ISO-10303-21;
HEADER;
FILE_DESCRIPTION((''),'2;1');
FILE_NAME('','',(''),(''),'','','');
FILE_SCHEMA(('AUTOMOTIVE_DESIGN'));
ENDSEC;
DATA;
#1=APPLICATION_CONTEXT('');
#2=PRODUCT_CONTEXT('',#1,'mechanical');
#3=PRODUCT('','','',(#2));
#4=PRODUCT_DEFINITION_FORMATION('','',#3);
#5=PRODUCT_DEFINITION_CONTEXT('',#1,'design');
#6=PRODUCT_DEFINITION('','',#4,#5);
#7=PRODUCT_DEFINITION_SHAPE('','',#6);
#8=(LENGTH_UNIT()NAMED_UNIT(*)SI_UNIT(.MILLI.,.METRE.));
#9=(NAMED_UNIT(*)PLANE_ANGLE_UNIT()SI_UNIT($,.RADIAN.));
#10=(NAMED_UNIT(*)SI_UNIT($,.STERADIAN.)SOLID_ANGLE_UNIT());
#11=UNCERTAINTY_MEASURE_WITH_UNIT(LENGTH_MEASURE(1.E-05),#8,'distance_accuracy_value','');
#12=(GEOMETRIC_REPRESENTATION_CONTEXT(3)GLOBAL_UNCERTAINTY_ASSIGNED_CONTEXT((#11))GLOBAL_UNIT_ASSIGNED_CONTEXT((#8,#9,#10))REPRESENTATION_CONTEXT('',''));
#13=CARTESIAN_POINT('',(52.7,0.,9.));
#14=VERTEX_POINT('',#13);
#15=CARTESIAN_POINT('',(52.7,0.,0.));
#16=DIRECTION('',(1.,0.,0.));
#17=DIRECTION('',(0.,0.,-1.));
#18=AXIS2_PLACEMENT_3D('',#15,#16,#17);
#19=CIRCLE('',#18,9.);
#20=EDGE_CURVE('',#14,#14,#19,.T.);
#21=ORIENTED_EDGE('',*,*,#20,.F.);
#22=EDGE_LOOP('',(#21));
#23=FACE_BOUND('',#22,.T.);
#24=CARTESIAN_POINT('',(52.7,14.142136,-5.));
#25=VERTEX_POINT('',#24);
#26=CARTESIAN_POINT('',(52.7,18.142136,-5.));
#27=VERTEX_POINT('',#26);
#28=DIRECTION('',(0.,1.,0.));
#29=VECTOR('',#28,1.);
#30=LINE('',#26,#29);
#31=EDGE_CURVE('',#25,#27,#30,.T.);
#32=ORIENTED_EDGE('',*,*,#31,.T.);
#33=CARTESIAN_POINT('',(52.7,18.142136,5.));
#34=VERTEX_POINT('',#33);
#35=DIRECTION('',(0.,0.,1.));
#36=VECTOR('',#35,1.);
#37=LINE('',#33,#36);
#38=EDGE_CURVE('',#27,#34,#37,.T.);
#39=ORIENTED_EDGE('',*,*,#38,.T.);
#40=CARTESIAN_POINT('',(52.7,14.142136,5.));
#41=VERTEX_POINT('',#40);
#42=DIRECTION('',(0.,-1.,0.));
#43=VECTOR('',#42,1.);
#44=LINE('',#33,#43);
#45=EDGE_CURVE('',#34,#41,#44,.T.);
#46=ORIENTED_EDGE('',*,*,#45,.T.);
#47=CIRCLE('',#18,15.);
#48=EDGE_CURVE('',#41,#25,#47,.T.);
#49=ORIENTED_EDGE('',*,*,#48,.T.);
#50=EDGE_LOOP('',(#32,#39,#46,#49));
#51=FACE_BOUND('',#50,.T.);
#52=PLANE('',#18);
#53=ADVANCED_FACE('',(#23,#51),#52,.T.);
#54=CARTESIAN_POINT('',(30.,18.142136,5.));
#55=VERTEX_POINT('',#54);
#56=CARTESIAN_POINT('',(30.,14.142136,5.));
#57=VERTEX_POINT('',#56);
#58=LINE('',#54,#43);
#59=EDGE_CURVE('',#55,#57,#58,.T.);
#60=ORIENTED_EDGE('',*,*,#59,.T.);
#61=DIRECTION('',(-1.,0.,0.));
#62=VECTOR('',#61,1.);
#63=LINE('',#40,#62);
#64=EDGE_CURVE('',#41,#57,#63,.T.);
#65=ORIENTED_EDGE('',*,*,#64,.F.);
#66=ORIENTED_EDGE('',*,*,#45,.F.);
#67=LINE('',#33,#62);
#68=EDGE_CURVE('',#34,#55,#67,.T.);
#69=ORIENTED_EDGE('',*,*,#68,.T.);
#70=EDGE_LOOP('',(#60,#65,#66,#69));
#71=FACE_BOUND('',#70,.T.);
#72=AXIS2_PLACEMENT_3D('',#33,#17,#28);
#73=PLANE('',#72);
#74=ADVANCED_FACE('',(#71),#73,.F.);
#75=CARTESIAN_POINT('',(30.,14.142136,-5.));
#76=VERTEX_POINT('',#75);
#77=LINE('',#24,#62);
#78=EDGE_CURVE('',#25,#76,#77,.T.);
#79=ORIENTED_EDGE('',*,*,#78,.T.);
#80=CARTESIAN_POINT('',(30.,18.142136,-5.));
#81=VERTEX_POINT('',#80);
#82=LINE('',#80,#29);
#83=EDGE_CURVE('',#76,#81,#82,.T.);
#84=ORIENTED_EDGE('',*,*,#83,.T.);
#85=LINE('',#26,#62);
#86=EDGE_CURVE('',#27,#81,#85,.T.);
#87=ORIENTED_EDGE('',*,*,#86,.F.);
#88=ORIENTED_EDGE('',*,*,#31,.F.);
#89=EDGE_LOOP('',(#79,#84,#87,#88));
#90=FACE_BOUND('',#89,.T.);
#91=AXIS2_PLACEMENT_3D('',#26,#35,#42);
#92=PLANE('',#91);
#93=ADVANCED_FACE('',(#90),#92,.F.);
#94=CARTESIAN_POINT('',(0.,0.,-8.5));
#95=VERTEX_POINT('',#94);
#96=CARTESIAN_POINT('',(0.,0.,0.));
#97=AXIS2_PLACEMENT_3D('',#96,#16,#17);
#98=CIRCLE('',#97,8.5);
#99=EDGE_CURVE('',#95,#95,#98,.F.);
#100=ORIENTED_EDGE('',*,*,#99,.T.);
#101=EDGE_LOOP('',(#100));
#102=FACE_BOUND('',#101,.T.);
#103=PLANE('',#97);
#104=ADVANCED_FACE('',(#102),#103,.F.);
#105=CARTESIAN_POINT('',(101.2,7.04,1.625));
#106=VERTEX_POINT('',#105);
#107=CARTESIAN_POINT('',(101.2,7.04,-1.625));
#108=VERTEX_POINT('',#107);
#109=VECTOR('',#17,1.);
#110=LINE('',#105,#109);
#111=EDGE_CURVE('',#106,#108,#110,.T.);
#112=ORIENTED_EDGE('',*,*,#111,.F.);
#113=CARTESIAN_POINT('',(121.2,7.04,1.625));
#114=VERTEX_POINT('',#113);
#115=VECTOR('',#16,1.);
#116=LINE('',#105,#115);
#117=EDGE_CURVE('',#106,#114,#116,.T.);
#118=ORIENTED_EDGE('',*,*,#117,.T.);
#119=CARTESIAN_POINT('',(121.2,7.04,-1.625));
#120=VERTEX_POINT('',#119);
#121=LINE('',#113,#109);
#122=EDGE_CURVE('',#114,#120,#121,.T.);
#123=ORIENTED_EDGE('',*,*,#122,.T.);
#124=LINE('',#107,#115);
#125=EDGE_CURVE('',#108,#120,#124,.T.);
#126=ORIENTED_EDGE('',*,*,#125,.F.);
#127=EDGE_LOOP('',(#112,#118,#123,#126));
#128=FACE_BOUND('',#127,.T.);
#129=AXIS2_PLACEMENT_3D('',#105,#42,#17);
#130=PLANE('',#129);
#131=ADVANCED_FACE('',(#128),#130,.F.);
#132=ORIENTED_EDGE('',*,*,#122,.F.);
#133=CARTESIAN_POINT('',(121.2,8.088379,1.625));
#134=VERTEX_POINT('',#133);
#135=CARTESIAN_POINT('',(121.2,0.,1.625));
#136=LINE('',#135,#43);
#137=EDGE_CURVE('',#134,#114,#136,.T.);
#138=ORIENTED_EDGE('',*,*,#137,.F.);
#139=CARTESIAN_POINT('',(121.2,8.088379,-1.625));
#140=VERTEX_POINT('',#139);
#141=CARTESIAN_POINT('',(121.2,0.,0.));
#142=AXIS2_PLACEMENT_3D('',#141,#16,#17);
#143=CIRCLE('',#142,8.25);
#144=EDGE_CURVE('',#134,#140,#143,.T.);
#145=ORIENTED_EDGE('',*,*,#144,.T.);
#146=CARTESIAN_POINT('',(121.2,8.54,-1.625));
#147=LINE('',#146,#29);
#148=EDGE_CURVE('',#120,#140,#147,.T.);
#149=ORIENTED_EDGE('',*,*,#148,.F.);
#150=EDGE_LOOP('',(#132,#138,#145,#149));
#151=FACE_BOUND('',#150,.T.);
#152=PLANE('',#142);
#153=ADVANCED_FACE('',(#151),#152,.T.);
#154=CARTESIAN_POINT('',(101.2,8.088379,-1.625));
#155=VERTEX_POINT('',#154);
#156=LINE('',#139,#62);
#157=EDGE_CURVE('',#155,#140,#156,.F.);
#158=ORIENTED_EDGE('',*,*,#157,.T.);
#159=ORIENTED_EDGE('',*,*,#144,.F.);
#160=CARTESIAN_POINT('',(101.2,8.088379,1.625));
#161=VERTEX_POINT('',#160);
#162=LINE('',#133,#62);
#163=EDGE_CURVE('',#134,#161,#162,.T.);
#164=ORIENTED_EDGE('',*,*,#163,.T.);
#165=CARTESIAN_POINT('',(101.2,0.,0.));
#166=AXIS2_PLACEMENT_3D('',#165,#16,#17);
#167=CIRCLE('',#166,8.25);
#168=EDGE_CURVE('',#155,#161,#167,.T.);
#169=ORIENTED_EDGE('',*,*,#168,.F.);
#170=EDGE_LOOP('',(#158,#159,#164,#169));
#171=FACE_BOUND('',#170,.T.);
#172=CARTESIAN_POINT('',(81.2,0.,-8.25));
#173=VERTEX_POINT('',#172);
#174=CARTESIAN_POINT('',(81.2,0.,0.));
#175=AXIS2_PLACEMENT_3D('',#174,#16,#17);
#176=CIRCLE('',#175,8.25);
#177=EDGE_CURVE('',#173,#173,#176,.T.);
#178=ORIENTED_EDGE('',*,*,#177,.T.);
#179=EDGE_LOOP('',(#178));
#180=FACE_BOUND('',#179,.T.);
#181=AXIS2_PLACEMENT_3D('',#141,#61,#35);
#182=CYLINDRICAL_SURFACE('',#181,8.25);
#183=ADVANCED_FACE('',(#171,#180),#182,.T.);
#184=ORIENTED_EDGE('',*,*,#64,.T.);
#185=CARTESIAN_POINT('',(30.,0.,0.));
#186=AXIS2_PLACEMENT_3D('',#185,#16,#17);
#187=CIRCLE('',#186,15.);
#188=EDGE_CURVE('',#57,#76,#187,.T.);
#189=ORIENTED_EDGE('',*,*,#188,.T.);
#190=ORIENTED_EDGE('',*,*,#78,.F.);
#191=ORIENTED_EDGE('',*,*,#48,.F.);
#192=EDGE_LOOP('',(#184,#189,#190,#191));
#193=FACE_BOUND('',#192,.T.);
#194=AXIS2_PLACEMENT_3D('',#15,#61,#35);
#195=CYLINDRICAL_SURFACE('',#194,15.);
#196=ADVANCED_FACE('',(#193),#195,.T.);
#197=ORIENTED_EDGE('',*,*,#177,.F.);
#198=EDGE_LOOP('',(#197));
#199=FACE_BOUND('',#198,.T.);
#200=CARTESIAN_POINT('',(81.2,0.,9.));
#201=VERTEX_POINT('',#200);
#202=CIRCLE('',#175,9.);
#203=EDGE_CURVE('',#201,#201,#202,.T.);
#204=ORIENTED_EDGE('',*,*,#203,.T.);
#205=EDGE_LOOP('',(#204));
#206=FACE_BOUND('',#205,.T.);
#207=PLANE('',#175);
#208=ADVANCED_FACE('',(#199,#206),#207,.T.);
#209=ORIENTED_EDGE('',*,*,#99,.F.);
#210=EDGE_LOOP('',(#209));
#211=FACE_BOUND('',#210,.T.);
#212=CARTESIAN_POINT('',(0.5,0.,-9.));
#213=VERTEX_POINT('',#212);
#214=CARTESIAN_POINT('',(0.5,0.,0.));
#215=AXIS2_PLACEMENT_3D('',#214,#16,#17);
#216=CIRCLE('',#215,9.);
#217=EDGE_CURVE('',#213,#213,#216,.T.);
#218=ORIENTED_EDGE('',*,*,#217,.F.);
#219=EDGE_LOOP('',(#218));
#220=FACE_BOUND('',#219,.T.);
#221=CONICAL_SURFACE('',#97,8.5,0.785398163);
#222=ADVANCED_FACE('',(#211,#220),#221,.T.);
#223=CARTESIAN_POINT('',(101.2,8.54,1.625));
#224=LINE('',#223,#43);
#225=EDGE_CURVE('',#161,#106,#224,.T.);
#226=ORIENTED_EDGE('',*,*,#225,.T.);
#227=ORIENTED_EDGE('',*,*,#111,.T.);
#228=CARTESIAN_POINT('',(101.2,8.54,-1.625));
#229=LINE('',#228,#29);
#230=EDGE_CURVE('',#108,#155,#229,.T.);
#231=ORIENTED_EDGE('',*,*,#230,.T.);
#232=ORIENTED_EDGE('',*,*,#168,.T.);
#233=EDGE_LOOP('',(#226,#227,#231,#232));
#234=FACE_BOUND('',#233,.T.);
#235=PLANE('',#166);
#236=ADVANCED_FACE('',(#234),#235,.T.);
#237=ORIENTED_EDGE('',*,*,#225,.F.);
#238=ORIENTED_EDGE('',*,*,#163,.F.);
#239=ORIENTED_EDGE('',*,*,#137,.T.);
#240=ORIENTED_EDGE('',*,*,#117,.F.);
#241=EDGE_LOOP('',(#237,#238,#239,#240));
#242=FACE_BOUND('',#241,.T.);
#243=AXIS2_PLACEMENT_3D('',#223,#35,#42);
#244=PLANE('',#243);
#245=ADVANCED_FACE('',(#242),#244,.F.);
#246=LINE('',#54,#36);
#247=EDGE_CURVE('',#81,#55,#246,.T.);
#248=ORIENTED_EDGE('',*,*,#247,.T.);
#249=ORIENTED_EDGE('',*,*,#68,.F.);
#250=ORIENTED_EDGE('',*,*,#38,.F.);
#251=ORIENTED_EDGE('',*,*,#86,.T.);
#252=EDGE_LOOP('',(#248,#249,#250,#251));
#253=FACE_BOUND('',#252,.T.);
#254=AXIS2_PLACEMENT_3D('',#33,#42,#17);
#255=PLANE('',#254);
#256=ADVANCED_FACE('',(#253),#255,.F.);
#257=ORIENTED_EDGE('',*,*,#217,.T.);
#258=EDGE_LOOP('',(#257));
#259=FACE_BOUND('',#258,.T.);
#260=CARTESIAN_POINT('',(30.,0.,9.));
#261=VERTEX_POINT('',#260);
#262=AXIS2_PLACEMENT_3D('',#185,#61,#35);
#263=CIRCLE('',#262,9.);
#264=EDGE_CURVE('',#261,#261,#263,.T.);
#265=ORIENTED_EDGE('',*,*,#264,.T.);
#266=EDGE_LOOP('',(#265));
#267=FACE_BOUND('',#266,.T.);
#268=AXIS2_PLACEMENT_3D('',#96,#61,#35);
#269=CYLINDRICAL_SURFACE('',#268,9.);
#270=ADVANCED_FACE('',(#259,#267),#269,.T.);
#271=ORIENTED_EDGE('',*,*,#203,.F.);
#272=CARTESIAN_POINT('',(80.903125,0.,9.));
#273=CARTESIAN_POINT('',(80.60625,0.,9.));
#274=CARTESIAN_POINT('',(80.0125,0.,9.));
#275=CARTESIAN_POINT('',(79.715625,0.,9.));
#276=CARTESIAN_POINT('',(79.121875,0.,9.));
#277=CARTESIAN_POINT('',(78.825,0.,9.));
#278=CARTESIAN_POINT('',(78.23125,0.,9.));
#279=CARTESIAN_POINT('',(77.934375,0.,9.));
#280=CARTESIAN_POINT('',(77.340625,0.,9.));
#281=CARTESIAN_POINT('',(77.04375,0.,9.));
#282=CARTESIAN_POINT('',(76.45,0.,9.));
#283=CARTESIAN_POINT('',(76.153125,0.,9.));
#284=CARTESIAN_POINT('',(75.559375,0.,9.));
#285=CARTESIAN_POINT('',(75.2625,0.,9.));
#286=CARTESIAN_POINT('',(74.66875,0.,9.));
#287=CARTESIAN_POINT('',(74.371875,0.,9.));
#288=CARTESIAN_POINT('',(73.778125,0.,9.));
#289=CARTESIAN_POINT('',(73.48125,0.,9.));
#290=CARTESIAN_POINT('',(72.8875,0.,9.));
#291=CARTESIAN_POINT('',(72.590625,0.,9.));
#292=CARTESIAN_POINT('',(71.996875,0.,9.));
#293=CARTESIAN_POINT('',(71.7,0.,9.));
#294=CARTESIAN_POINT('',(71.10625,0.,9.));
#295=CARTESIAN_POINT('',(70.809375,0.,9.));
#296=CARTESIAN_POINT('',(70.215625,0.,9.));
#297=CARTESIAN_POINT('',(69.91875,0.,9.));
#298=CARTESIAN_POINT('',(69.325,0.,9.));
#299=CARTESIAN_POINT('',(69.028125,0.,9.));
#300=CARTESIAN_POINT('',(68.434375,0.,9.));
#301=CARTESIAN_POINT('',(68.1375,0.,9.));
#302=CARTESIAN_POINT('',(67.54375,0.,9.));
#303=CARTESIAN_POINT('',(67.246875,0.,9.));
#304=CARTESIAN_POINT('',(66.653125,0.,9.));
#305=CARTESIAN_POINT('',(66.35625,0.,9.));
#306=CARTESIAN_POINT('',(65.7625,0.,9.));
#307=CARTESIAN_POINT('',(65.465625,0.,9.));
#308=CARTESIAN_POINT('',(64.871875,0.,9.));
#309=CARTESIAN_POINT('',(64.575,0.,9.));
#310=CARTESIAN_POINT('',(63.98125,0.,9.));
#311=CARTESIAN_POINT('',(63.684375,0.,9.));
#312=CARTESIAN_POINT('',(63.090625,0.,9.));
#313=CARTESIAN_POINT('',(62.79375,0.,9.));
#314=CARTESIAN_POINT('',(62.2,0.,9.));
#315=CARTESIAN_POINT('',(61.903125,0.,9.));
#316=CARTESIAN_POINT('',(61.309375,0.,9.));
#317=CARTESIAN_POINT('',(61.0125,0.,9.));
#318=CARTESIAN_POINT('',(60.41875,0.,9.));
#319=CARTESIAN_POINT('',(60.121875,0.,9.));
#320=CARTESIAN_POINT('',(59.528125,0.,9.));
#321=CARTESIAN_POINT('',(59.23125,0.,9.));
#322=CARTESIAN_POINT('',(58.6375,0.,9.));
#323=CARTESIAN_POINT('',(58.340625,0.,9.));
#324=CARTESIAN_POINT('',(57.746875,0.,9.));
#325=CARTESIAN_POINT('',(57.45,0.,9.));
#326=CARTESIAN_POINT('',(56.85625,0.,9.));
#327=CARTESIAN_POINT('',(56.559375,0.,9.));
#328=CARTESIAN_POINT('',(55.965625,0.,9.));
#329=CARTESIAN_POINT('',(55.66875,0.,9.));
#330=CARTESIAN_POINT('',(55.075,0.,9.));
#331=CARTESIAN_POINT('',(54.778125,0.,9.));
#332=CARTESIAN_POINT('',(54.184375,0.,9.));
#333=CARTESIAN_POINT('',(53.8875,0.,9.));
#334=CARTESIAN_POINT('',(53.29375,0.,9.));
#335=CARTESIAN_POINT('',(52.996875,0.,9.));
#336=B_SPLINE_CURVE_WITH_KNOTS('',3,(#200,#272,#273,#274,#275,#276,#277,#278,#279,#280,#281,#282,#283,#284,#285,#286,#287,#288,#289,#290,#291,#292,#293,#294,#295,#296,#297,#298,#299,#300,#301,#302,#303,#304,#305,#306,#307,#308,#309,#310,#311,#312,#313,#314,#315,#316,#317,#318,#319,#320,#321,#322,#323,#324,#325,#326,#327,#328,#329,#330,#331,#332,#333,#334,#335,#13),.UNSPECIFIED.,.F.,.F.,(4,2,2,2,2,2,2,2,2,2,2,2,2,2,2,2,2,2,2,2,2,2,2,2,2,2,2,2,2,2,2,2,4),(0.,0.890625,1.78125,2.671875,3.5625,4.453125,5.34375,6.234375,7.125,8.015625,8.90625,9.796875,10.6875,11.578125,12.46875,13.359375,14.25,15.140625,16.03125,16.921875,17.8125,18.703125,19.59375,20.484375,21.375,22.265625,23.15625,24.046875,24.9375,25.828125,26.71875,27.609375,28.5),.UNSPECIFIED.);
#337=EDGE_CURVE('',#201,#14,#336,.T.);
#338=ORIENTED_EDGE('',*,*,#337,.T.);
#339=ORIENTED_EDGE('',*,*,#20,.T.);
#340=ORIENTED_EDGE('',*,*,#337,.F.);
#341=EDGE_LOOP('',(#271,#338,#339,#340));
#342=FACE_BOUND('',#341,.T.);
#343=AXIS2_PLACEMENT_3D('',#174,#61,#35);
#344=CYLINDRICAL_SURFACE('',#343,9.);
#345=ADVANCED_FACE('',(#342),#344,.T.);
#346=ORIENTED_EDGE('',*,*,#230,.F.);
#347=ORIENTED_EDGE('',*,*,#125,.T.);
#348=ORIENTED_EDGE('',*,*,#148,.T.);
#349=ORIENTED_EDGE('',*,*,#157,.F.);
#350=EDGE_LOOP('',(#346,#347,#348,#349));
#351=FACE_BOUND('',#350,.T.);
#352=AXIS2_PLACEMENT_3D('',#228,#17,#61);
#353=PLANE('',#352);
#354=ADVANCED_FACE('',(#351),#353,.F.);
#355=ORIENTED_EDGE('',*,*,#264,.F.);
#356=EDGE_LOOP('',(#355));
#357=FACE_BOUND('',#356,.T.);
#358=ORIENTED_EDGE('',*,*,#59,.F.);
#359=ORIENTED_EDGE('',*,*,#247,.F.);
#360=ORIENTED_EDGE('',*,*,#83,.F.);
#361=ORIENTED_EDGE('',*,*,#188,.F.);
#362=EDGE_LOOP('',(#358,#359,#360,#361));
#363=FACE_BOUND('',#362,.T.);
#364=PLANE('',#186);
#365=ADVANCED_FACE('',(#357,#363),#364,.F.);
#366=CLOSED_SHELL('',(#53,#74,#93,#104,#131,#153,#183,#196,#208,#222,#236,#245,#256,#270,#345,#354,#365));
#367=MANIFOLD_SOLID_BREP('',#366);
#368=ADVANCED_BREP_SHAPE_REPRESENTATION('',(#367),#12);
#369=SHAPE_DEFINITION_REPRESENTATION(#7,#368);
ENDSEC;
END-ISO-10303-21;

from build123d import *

# Parameters (mm, degrees)
SKETCH1_W           = 30
SKETCH1_H           = 9
BOSS_EXTRUDE1_DEPTH = 22.7
SKETCH3_R           = 9
BOSS_EXTRUDE2_DEPTH = 28.5
SKETCH4_R           = 8.25
BOSS_EXTRUDE3_DEPTH = 40
SKETCH5_W           = 3.25
SKETCH5_H           = 1.5
CUT_EXTRUDE1_DEPTH  = 20
CHAMFER1_SIZE       = 0.5


with BuildPart() as part:
    # Sketch1 → Revolve1 (revolve)
    with BuildSketch(Plane.XY, mode=Mode.PRIVATE) as revolve1_sk:
        with Locations((15, 4.5)):
            Rectangle(SKETCH1_W, SKETCH1_H)
    revolve(revolve1_sk.sketch.rotate(Axis((0, 0, 0), (1, 0, 0)), 90), axis=Axis((0, 0, 0), (1, 0, 0)))

    # Sketch2 → Boss-Extrude1 (add)
    with BuildSketch(Plane(origin=(30, 0, 0), x_dir=(0, 0, -1), z_dir=(1, 0, 0))):
        with BuildLine():
            Line((-5, 18.142135624), (5, 18.142135624))
            Line((5, 18.142135624), (5, 14.142135624))
            ThreePointArc((5, 14.142135624), (0, -15), (-5, 14.142135624))
            Line((-5, 14.142135624), (-5, 18.142135624))
        make_face()
    extrude(amount=BOSS_EXTRUDE1_DEPTH)

    # Sketch3 → Boss-Extrude2 (add)
    with BuildSketch(Plane(origin=(52.7, 0, 0), x_dir=(0, 0, -1), z_dir=(1, 0, 0))):
        with Locations(Location((0, 0, 0), (0, 0, 180))):
            Circle(SKETCH3_R)
    extrude(amount=BOSS_EXTRUDE2_DEPTH)

    # Sketch4 → Boss-Extrude3 (add)
    with BuildSketch(Plane(origin=(81.2, 0, 0), x_dir=(0, 0, -1), z_dir=(1, 0, 0))):
        Circle(SKETCH4_R)
    extrude(amount=BOSS_EXTRUDE3_DEPTH)

    # Sketch5 → Cut-Extrude1 (cut)
    with BuildSketch(Plane(origin=(121.2, 0, 0), x_dir=(0, 0, -1), z_dir=(1, 0, 0))):
        with Locations((0, 7.79)):
            Rectangle(SKETCH5_W, SKETCH5_H)
    extrude(amount=-CUT_EXTRUDE1_DEPTH, mode=Mode.SUBTRACT)

    # Chamfer1
    chamfer1_edges = [part.edges().sort_by_distance(p)[0] for p in [
        (0, 0, -9),
    ]]
    chamfer(chamfer1_edges, length=CHAMFER1_SIZE)


solid = part.part
